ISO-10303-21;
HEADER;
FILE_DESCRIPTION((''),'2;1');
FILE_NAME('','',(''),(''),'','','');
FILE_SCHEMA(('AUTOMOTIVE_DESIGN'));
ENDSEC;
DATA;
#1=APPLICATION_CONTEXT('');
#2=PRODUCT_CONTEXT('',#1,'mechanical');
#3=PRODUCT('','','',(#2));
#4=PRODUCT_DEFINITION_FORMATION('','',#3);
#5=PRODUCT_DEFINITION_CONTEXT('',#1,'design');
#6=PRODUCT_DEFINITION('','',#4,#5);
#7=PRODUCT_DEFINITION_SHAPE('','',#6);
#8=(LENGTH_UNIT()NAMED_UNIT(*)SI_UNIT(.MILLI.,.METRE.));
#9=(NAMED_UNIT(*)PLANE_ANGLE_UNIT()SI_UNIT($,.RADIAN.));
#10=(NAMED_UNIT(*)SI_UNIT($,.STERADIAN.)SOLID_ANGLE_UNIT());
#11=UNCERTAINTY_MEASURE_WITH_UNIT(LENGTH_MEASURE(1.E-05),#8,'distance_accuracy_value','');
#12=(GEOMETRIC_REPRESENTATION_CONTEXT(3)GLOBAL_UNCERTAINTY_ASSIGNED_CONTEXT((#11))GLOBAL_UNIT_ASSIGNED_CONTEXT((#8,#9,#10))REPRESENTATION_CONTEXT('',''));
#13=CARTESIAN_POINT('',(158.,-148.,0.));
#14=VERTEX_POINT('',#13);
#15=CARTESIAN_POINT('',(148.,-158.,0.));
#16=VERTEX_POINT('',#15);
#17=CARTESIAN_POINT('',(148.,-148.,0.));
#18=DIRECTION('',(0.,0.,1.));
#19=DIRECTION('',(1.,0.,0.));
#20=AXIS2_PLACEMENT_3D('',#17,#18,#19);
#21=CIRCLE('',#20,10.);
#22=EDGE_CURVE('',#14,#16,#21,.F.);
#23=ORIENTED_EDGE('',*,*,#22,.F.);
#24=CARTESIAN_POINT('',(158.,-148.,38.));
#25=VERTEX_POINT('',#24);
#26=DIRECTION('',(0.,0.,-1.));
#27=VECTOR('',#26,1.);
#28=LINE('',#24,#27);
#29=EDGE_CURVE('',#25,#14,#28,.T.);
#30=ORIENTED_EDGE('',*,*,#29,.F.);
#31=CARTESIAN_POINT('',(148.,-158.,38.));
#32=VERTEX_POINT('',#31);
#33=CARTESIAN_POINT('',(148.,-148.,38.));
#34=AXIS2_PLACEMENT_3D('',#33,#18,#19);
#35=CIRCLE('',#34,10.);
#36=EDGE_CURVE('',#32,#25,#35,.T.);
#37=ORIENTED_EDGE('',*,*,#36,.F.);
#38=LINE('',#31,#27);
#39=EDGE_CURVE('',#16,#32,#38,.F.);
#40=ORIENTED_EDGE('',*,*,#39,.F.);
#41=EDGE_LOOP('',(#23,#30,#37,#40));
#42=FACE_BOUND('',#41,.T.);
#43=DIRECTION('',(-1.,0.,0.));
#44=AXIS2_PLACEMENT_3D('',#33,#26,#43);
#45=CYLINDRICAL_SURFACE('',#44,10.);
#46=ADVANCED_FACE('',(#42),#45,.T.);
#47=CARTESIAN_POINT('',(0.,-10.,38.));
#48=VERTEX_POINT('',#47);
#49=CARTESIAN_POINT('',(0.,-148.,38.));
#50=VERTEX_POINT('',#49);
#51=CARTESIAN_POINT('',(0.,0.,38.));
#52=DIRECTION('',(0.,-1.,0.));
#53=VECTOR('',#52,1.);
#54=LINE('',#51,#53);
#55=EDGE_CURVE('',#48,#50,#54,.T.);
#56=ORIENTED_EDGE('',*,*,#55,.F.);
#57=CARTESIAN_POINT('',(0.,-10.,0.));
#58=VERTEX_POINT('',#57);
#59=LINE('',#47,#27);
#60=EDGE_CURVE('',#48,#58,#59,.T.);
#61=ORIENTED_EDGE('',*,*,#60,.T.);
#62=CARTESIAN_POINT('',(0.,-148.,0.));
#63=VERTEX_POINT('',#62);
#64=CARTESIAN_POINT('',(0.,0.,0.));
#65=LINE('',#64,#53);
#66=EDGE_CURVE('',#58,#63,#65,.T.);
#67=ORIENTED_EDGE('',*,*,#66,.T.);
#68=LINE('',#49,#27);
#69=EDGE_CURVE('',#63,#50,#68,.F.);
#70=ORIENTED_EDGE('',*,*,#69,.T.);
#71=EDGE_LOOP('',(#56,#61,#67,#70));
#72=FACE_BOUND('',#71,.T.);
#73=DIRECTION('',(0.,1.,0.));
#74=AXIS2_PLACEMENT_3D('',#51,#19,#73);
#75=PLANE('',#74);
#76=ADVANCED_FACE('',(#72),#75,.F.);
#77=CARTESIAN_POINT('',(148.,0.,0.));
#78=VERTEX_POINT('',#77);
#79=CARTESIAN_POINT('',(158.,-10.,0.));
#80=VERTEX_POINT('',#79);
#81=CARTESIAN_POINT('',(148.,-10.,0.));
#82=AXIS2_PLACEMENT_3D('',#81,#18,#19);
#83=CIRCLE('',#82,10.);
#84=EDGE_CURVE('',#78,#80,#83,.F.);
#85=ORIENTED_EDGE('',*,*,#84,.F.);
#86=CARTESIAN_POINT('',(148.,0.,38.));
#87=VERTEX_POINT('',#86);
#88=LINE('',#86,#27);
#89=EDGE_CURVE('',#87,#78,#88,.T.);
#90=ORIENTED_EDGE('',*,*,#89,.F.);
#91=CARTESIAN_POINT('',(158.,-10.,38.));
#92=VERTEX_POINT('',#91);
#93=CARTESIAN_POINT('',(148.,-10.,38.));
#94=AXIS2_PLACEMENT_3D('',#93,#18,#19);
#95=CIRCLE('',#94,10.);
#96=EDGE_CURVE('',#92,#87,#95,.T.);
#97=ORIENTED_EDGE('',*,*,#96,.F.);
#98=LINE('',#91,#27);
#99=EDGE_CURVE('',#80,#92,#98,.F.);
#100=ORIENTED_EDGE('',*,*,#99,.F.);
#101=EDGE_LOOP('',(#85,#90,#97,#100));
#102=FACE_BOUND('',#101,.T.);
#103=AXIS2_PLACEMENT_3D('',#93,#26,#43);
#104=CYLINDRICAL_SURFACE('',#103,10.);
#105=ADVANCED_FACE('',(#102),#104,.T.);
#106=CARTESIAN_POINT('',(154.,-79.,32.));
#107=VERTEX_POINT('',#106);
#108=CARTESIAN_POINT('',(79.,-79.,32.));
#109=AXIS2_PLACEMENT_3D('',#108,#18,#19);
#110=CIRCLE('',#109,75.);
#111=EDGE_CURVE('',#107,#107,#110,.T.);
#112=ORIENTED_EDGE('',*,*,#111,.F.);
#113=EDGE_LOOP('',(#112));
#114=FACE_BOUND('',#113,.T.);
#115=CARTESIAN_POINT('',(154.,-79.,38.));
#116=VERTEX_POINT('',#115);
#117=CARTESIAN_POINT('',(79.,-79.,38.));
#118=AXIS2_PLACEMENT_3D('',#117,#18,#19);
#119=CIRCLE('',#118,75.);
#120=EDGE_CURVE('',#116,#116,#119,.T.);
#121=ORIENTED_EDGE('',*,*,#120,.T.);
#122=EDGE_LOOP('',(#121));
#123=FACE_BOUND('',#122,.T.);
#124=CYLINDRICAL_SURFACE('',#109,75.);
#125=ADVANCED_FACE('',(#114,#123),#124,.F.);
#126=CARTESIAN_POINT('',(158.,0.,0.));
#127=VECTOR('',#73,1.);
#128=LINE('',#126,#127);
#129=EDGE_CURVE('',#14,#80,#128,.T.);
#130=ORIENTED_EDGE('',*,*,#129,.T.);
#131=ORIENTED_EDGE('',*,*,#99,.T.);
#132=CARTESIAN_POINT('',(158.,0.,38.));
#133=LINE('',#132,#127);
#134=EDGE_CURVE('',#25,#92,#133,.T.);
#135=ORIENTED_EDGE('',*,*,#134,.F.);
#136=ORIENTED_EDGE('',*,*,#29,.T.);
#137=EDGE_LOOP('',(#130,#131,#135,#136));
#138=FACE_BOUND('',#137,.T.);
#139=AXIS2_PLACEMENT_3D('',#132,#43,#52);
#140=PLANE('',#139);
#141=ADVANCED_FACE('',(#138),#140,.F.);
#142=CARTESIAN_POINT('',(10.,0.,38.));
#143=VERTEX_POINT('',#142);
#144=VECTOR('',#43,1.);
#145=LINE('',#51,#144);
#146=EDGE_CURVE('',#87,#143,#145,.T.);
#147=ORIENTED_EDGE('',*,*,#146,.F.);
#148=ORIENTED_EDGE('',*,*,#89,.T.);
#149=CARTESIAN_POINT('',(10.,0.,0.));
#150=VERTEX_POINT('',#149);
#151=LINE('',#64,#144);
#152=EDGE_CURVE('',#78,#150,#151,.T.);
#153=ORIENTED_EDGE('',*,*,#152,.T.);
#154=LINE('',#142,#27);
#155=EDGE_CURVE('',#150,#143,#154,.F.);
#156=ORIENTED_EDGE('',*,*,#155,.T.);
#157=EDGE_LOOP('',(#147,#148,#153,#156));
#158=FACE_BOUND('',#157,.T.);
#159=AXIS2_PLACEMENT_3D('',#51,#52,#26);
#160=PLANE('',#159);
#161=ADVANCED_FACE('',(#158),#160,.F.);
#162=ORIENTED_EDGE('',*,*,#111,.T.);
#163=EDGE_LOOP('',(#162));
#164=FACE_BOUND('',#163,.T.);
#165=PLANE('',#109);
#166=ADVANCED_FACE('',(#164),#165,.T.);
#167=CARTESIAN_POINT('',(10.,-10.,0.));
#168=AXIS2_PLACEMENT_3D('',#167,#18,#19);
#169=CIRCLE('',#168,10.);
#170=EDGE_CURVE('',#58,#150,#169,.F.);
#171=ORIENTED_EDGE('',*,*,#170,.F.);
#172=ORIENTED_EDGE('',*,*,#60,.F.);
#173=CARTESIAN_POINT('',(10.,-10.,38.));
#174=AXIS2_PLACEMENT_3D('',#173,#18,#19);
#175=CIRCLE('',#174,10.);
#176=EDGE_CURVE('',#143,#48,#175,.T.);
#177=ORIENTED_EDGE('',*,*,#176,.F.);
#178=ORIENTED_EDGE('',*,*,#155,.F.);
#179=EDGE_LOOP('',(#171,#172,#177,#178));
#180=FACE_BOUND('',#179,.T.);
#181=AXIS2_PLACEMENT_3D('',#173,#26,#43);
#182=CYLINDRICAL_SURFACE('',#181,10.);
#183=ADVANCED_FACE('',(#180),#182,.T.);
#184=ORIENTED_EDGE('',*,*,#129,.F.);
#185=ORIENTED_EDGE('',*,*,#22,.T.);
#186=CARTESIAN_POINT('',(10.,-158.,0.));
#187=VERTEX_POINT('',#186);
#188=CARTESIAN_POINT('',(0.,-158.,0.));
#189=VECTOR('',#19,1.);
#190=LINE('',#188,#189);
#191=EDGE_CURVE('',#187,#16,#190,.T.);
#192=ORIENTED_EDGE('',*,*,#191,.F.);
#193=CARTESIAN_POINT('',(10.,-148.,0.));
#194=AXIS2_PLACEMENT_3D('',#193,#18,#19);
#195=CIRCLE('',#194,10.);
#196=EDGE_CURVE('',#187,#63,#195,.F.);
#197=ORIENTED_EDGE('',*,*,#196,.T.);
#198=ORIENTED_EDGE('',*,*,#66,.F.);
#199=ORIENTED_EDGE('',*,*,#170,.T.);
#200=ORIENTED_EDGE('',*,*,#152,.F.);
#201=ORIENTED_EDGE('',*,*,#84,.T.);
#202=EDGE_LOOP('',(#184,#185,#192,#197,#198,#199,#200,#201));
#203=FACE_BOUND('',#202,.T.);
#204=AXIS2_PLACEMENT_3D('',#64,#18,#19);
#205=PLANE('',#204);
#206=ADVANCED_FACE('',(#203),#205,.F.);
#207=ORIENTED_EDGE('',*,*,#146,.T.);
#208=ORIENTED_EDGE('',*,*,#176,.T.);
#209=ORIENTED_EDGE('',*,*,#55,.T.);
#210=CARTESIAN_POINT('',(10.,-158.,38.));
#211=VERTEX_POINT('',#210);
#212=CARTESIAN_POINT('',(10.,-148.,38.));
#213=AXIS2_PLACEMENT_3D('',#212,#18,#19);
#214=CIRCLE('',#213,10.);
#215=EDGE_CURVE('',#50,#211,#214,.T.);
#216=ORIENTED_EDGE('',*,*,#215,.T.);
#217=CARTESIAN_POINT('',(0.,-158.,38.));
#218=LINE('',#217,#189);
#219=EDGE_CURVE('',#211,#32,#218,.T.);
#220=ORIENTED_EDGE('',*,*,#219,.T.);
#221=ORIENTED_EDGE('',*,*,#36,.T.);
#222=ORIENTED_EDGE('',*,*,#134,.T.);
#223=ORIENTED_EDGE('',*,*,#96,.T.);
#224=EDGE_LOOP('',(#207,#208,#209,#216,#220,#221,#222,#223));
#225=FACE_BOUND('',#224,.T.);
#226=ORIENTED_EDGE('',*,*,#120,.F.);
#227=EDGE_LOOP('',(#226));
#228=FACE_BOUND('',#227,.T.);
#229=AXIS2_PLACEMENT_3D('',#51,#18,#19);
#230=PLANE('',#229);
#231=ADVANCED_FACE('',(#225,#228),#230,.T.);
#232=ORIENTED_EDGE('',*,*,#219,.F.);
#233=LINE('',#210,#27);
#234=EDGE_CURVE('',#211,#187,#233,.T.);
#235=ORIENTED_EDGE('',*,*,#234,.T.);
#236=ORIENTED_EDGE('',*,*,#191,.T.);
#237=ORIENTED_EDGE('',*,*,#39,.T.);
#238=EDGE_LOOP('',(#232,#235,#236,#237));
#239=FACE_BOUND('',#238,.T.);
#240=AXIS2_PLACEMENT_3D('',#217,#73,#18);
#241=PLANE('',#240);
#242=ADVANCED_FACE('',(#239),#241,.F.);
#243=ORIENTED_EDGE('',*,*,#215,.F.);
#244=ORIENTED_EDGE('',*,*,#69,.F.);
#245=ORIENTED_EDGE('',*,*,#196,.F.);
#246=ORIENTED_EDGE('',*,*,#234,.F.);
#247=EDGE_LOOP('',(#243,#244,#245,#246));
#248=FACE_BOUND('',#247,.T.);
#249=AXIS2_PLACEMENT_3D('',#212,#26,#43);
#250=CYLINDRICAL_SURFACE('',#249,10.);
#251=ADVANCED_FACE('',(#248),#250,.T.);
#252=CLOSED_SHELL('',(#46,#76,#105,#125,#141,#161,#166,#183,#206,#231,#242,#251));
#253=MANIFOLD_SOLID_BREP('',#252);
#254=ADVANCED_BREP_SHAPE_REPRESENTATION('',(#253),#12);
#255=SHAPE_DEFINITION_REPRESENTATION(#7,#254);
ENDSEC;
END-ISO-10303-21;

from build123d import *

# Parameters (mm, degrees)
SKETCH1_W           = 158
SKETCH1_H           = 158
BOSS_EXTRUDE1_DEPTH = 38
SKETCH2_R           = 75
CUT_EXTRUDE1_DEPTH  = 6
FILLET1_R           = 10


with BuildPart() as part:
    # Sketch1 → Boss-Extrude1 (new body)
    with BuildSketch(Plane.XY):
        with Locations((79, -79)):
            Rectangle(SKETCH1_W, SKETCH1_H)
    extrude(amount=BOSS_EXTRUDE1_DEPTH)

    # Sketch2 → Cut-Extrude1 (cut)
    with BuildSketch(Plane.XY.offset(38)):
        with Locations((79, -79)):
            Circle(SKETCH2_R)
    extrude(amount=-CUT_EXTRUDE1_DEPTH, mode=Mode.SUBTRACT)

    # Fillet1
    fillet1_edges = [part.edges().sort_by_distance(p)[0] for p in [
        (0, 0, 19),
        (158, 0, 19),
        (158, -158, 19),
        (0, -158, 19),
    ]]
    fillet(fillet1_edges, radius=FILLET1_R)


solid = part.part
